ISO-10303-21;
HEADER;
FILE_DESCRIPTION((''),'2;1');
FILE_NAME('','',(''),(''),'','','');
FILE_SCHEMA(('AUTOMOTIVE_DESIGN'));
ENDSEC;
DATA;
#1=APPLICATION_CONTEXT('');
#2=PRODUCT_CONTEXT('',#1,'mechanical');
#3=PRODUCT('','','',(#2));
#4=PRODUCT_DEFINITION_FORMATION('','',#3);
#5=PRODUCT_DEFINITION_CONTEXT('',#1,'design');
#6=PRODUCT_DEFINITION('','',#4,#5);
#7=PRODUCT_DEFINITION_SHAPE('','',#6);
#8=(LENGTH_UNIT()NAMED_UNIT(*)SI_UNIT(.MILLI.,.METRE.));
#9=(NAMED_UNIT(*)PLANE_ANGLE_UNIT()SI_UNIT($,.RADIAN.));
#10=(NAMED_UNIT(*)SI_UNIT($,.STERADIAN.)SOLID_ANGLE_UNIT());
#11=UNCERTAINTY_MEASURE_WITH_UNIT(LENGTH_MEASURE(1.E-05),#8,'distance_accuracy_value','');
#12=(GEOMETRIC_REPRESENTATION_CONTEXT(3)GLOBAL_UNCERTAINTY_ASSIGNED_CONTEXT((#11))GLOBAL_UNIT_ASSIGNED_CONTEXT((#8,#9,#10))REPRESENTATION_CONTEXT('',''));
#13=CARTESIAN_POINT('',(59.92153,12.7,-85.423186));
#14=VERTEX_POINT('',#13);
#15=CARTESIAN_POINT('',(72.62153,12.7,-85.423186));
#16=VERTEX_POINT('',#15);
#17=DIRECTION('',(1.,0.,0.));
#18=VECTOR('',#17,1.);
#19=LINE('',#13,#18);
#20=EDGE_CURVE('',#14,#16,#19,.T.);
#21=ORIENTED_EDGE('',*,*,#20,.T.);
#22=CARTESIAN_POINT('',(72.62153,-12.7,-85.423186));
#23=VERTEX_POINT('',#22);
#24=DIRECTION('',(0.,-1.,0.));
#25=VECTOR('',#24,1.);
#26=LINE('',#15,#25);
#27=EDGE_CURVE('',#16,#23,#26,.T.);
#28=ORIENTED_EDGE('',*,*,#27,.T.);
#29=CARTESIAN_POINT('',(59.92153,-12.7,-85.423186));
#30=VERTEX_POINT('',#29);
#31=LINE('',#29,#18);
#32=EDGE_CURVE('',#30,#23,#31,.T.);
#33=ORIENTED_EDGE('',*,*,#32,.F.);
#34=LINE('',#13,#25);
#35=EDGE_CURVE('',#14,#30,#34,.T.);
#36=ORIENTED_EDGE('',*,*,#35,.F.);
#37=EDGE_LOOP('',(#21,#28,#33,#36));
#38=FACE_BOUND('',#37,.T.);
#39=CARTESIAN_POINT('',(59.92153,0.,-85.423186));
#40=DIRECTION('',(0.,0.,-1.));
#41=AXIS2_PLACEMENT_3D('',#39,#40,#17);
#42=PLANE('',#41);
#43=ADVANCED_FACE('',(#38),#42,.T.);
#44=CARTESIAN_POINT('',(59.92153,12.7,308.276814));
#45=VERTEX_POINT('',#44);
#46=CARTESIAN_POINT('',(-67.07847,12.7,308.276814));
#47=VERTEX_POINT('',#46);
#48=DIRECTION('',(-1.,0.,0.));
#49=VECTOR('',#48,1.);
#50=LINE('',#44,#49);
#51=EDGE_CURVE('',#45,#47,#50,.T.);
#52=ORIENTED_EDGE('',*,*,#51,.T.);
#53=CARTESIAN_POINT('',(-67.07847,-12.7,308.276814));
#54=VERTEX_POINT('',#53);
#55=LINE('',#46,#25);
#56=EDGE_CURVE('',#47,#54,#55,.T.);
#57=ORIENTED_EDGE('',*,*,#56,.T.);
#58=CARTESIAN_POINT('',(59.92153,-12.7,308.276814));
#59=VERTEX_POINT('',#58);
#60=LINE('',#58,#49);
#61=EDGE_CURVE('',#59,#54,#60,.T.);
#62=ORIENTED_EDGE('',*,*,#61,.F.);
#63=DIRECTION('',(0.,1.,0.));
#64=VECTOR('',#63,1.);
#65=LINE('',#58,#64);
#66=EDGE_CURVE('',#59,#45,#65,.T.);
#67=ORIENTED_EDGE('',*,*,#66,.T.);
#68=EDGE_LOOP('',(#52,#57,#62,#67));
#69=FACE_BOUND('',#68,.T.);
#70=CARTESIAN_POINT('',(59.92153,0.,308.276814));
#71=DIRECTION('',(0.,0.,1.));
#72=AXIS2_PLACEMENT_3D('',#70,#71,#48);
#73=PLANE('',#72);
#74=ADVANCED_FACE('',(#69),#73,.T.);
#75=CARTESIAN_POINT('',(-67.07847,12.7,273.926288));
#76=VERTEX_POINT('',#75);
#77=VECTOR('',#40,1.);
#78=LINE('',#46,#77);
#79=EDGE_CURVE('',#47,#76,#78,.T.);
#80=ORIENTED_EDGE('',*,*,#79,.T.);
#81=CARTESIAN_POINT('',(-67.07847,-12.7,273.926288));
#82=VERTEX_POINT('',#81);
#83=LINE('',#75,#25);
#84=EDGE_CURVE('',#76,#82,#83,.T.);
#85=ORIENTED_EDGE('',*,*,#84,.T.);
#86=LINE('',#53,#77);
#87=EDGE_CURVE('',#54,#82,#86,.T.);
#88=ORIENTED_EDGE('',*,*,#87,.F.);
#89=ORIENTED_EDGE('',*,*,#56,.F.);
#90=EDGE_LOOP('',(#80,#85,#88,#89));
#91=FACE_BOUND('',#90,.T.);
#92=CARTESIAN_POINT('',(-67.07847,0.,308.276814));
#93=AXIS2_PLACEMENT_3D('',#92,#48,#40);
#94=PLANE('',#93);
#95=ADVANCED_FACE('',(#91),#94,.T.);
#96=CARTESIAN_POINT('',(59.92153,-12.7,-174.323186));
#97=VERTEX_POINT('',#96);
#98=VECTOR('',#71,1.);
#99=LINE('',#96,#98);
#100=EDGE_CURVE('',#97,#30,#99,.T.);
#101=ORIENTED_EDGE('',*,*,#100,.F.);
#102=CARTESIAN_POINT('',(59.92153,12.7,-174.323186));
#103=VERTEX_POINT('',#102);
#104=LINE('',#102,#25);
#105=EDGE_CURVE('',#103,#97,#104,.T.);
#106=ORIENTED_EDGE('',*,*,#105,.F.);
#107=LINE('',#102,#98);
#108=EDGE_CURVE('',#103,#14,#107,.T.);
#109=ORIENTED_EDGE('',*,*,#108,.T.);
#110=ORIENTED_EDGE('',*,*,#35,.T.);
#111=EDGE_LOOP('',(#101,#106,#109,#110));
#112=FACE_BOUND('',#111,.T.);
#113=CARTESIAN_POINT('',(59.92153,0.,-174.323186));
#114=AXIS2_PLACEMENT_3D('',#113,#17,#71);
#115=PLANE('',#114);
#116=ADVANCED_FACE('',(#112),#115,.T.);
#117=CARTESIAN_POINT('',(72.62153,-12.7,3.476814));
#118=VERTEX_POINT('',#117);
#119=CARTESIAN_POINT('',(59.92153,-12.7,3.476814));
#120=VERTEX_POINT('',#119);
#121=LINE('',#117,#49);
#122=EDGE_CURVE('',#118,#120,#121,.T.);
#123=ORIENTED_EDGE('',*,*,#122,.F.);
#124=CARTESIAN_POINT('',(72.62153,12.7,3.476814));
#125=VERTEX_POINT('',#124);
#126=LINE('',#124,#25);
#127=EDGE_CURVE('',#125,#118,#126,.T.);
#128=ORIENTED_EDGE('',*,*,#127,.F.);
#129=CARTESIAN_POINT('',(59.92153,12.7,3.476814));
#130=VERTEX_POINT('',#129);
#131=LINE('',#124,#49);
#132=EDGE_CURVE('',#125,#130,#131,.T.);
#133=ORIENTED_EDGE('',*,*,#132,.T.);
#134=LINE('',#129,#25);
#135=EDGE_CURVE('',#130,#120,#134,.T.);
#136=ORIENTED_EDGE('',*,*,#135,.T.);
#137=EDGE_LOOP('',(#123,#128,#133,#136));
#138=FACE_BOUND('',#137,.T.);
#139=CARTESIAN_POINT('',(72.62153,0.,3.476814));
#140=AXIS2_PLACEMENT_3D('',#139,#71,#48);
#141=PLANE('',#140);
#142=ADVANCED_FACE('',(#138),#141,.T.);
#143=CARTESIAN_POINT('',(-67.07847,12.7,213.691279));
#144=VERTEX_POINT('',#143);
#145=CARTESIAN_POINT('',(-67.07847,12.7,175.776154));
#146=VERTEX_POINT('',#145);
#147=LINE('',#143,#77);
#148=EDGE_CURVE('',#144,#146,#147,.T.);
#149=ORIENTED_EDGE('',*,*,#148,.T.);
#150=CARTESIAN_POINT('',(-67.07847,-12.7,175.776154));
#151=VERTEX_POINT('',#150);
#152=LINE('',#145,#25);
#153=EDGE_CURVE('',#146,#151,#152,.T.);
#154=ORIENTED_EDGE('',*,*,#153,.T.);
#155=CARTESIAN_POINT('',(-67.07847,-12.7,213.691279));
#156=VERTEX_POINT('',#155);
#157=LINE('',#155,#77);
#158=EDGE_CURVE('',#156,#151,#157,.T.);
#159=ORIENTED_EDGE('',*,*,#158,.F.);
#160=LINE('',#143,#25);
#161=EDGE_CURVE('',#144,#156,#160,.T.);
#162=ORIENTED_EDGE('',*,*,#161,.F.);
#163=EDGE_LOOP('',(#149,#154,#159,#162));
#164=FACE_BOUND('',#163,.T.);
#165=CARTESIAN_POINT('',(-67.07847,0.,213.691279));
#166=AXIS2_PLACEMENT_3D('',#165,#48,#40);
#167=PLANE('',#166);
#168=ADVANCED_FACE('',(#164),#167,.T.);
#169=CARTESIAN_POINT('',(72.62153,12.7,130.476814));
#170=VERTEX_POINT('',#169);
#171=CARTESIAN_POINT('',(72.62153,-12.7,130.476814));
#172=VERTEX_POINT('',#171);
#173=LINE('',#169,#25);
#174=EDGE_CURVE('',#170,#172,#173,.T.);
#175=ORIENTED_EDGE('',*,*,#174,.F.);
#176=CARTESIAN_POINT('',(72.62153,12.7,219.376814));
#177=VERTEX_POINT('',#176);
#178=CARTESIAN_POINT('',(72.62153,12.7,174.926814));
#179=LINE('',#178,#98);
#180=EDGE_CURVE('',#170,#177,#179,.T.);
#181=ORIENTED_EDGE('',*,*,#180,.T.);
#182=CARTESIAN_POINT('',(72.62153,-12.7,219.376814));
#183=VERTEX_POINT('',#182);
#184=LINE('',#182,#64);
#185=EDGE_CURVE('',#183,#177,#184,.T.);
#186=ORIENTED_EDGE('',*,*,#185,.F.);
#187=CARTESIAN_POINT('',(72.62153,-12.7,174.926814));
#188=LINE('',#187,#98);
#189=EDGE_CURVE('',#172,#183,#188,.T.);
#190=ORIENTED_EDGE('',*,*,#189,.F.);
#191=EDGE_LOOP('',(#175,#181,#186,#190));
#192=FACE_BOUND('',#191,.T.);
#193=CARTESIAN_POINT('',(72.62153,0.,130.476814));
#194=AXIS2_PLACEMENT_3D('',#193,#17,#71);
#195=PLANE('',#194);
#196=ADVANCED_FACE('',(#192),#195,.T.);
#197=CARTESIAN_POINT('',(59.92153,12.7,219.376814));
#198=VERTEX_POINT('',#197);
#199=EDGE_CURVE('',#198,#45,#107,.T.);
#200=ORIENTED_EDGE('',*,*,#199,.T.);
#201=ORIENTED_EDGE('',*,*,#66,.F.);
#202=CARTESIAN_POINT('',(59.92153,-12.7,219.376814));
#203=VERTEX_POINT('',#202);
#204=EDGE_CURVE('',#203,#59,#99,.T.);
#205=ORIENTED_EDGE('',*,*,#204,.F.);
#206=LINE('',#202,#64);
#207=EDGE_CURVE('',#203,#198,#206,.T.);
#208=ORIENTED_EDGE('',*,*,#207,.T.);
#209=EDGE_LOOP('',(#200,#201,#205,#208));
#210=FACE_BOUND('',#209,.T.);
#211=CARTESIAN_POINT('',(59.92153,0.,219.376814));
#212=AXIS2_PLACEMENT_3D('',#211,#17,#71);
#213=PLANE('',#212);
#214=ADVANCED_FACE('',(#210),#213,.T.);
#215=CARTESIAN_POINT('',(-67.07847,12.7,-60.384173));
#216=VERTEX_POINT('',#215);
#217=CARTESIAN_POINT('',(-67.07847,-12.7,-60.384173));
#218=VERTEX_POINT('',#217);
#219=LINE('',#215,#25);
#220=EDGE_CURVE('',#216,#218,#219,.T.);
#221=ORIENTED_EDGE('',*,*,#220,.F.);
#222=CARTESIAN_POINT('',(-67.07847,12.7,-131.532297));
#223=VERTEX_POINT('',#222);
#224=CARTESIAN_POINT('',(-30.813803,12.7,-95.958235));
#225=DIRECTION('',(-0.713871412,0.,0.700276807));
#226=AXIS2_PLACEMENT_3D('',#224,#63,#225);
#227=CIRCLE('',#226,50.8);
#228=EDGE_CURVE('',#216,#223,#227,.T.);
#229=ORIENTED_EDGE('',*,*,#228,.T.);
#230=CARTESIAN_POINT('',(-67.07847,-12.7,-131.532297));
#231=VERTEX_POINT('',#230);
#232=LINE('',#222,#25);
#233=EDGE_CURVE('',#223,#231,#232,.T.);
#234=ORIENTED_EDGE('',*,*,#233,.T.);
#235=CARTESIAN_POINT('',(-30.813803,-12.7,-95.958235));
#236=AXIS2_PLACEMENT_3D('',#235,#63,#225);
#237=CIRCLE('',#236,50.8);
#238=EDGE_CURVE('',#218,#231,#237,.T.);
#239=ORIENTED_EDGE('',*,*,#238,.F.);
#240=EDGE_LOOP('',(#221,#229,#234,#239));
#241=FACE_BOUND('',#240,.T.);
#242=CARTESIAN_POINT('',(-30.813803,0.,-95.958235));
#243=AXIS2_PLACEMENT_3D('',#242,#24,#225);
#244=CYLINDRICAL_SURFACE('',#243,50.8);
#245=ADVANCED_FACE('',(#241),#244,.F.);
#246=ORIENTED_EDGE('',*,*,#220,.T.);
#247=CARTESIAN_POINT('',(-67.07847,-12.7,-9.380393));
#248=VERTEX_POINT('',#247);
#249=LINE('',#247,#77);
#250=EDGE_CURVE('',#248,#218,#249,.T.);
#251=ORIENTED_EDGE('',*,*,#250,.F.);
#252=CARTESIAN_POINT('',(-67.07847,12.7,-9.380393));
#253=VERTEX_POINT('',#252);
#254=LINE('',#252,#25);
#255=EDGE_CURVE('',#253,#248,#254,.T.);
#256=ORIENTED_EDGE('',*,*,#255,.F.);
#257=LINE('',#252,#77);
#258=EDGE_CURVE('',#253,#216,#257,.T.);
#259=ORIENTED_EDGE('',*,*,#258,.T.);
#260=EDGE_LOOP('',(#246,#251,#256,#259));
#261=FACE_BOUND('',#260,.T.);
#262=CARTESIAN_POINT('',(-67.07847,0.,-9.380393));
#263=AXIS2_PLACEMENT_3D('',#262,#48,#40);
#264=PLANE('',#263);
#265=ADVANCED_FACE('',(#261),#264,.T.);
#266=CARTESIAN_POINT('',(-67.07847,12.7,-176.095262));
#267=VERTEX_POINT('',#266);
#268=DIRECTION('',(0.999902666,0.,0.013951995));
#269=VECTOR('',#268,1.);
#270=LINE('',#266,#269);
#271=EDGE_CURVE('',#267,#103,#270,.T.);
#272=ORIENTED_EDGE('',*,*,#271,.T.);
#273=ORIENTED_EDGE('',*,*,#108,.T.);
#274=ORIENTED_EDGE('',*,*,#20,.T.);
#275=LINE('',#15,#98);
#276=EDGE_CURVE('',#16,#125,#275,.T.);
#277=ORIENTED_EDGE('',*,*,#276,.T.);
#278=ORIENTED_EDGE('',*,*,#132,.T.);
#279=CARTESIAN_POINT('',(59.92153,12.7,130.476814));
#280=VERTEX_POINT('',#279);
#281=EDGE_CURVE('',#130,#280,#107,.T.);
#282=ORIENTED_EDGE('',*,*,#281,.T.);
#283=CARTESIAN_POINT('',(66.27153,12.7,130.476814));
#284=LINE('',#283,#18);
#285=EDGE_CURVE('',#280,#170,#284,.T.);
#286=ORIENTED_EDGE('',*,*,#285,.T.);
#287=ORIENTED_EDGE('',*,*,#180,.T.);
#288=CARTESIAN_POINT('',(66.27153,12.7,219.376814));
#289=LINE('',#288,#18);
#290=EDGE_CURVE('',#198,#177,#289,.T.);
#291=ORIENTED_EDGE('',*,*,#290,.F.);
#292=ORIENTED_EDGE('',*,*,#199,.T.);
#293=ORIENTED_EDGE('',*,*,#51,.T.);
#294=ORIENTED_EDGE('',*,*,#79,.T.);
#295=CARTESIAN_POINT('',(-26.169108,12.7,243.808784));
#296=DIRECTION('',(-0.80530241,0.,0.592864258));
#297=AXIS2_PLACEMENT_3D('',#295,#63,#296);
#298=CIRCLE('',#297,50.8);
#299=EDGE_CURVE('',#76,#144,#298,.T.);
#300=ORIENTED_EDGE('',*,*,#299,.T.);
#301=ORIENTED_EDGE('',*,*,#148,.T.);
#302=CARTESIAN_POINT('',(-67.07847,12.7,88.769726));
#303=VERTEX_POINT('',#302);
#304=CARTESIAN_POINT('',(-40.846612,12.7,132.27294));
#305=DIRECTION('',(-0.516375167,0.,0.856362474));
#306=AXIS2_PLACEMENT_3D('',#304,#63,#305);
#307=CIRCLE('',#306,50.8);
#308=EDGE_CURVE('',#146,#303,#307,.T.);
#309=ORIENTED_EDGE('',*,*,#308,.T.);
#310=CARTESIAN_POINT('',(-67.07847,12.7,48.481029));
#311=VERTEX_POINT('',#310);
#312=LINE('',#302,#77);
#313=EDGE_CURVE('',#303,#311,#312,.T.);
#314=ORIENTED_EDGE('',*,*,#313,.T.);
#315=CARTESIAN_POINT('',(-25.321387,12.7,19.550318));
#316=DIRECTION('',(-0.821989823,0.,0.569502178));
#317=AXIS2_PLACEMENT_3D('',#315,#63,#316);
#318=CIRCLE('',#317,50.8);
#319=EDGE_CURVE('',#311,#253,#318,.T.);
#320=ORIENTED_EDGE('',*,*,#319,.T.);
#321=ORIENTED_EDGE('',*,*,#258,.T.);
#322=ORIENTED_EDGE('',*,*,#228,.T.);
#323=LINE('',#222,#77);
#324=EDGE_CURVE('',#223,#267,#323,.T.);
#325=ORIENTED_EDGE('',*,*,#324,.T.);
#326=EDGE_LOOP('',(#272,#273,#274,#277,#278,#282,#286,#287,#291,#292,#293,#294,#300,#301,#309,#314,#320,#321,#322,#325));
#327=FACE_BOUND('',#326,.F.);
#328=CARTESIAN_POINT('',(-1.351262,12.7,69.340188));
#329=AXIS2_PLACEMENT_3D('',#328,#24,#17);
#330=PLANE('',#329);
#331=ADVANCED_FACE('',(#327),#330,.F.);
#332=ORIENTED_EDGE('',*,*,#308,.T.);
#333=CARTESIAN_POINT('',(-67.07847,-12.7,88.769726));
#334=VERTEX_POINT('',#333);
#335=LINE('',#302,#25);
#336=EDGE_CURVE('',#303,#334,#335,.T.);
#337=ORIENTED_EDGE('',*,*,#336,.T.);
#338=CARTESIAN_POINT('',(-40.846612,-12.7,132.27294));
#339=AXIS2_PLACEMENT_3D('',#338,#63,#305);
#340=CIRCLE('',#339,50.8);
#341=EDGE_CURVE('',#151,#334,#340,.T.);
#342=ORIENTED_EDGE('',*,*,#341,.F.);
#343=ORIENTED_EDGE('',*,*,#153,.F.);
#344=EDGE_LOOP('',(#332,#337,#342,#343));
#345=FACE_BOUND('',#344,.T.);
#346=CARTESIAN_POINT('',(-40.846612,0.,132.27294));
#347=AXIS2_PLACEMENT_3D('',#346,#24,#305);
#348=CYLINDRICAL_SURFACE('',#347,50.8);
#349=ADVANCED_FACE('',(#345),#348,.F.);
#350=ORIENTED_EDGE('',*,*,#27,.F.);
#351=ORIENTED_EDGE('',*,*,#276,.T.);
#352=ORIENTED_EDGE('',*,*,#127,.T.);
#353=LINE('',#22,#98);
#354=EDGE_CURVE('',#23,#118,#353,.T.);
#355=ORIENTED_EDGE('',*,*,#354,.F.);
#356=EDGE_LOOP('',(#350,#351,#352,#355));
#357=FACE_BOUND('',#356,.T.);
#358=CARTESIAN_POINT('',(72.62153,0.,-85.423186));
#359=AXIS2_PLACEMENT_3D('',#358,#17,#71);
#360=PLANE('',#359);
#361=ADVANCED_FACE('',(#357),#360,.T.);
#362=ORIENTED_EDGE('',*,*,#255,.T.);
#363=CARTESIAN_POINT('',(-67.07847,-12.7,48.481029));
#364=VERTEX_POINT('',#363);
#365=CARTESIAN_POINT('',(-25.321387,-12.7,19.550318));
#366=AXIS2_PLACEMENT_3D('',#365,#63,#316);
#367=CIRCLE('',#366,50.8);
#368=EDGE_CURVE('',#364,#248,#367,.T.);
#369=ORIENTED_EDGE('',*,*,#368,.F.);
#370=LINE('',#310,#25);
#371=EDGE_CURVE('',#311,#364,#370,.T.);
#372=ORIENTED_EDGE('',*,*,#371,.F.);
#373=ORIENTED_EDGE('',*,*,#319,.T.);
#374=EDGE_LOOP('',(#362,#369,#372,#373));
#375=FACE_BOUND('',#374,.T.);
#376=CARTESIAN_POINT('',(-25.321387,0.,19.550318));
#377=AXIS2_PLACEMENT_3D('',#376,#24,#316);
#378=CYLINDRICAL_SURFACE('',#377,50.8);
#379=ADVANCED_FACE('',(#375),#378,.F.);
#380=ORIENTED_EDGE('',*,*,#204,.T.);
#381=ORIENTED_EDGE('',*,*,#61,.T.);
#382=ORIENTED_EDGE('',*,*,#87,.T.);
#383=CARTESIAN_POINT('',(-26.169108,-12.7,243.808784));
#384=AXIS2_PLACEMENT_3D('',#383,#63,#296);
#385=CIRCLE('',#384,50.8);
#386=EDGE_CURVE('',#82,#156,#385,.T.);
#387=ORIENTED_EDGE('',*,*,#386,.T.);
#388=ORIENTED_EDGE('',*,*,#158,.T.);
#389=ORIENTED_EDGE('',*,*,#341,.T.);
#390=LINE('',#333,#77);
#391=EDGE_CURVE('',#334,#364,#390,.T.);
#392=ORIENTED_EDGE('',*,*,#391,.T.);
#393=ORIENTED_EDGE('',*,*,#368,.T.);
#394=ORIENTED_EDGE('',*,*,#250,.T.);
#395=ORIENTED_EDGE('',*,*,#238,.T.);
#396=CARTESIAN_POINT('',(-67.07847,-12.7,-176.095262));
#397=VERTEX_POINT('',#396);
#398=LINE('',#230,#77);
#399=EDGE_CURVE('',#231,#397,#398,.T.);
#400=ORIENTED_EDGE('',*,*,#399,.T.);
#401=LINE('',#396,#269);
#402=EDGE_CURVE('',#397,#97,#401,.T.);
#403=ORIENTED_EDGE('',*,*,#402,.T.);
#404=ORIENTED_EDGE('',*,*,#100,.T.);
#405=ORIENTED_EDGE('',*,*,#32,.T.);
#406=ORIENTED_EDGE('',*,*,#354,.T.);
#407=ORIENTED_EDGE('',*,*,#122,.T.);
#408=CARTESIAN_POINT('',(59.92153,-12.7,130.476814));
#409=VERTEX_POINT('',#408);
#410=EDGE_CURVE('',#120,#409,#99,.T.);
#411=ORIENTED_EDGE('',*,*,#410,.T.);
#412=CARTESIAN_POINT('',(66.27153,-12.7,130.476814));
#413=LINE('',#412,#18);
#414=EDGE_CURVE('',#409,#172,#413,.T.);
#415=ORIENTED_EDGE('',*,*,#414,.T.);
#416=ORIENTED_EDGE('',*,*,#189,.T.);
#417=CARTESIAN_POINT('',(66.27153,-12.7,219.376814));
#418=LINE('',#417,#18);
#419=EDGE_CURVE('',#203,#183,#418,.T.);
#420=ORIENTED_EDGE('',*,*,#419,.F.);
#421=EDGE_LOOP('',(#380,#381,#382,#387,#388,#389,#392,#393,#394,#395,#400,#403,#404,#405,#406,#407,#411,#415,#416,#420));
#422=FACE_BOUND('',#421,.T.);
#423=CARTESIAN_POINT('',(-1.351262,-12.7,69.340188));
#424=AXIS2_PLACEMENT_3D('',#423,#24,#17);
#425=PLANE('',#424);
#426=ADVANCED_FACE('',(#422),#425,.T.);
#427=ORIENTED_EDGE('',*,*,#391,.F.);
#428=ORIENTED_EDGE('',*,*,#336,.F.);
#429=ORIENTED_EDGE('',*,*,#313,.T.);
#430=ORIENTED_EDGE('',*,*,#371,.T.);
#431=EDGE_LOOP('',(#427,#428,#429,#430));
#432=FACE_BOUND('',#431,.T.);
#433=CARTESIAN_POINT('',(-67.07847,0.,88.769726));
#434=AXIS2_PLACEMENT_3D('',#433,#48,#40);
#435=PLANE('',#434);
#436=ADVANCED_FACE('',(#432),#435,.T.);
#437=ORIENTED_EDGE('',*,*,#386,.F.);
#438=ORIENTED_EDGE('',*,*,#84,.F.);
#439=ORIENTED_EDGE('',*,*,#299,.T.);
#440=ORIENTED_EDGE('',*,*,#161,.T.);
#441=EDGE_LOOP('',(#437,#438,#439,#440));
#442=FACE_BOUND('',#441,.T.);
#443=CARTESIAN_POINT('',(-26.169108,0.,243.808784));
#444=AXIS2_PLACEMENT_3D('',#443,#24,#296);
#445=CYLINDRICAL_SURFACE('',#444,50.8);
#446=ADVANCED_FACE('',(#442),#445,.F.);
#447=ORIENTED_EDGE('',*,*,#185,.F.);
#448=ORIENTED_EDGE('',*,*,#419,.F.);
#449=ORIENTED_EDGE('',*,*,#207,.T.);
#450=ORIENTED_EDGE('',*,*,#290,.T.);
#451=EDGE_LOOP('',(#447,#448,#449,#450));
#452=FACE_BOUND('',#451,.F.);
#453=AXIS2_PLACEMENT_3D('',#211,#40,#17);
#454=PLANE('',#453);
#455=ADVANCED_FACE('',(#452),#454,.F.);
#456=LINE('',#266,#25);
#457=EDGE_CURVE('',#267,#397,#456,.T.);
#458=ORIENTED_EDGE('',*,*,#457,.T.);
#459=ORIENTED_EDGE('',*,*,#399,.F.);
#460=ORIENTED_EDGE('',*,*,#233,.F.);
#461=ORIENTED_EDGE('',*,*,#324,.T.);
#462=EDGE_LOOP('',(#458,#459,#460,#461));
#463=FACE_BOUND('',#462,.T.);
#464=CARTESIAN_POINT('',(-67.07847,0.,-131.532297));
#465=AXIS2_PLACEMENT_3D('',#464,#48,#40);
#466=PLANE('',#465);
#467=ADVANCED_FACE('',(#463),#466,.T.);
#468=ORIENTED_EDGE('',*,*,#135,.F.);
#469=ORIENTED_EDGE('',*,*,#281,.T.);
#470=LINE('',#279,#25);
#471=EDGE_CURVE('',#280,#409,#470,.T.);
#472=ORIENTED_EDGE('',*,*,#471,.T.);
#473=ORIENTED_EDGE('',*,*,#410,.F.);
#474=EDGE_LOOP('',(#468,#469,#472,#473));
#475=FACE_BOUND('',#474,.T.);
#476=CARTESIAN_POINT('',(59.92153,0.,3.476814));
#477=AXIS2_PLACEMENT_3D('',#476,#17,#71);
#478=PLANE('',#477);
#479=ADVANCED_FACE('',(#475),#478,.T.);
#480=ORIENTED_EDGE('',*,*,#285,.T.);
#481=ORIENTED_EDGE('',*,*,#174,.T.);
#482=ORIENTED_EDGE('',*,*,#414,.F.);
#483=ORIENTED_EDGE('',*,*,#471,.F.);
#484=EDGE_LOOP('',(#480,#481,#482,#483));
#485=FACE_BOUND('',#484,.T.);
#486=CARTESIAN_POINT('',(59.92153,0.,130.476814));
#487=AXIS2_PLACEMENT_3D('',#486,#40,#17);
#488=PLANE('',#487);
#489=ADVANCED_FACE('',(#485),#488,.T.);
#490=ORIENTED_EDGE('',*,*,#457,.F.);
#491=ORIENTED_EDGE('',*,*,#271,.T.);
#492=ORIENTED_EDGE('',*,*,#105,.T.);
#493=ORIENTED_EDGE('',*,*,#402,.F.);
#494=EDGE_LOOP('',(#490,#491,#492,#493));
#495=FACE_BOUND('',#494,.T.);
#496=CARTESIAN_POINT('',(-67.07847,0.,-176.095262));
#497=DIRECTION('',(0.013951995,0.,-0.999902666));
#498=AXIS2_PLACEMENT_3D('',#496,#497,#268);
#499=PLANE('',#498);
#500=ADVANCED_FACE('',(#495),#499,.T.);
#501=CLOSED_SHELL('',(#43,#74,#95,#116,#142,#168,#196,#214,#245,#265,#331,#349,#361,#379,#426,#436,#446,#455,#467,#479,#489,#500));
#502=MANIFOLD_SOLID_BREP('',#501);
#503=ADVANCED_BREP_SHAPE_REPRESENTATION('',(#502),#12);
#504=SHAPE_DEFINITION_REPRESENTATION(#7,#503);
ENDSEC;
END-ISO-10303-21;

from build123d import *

# Parameters (mm, degrees)
F0_W     = 12.7
F0_H     = 88.9
F1_DEPTH = 12.7
F2_DEPTH = 12.7


with BuildPart() as f1:
    # F0 (on Front) → F1 (new body)
    with BuildSketch(Plane.XZ):
        with BuildLine():
            Line((59.9215296455, 219.3768137217), (59.9215296455, 308.2768137217))
            Line((59.9215296455, 308.2768137217), (-67.0784703545, 308.2768137217))
            Line((-67.0784703545, 308.2768137217), (-67.0784703545, 273.9262878895))
            ThreePointArc((-67.0784703545, 273.9262878895), (24.6308920802, 243.8087835908), (-67.0784703545, 213.6912792921))
            Line((-67.0784703545, 213.6912792921), (-67.0784703545, 175.7761538029))
            ThreePointArc((-67.0784703545, 175.7761538029), (9.9533881395, 132.272940129), (-67.0784703545, 88.7697264552))
            Line((-67.0784703545, 88.7697264552), (-67.0784703545, 48.481028527))
            ThreePointArc((-67.0784703545, 48.481028527), (25.4786126677, 19.5503178984), (-67.0784703545, -9.3803927302))
            Line((-67.0784703545, -9.3803927302), (-67.0784703545, -60.3841729462))
            ThreePointArc((-67.0784703545, -60.3841729462), (19.9861973998, -95.9582347423), (-67.0784703545, -131.5322965384))
            Line((-67.0784703545, -131.5322965384), (-67.0784703545, -176.0952621698))
            Line((-67.0784703545, -176.0952621698), (59.9215296455, -174.3231862783))
            Line((59.9215296455, -174.3231862783), (59.9215296455, -85.4231862783))
            Line((59.9215296455, -85.4231862783), (59.9215296455, -3.2265890837))
            Line((59.9215296455, -3.2265890837), (59.9215296455, 3.4768137217))
            Line((59.9215296455, 3.4768137217), (59.9215296455, 130.4768137217))
            Line((59.9215296455, 130.4768137217), (59.9215296455, 219.3768137217))
        make_face()
        with Locations((66.2715296455, 174.9268137217)):
            Rectangle(F0_W, F0_H)
        Polygon((72.6215296455, 3.4768137217), (59.9215296455, 3.4768137217), (59.9215296455, -3.2265890837), (59.9215296455, -85.4231862783), (72.6215296455, -85.4231862783), align=None)
    extrude(amount=F1_DEPTH)

    # F2 (add): a face of the model
    f2_faces = [f1.faces().sort_by_distance(p)[0] for p in [
        (20.5565602717, 0, 59.7535592064),
    ]]
    extrude(f2_faces, amount=F2_DEPTH)


solid = f1.part
